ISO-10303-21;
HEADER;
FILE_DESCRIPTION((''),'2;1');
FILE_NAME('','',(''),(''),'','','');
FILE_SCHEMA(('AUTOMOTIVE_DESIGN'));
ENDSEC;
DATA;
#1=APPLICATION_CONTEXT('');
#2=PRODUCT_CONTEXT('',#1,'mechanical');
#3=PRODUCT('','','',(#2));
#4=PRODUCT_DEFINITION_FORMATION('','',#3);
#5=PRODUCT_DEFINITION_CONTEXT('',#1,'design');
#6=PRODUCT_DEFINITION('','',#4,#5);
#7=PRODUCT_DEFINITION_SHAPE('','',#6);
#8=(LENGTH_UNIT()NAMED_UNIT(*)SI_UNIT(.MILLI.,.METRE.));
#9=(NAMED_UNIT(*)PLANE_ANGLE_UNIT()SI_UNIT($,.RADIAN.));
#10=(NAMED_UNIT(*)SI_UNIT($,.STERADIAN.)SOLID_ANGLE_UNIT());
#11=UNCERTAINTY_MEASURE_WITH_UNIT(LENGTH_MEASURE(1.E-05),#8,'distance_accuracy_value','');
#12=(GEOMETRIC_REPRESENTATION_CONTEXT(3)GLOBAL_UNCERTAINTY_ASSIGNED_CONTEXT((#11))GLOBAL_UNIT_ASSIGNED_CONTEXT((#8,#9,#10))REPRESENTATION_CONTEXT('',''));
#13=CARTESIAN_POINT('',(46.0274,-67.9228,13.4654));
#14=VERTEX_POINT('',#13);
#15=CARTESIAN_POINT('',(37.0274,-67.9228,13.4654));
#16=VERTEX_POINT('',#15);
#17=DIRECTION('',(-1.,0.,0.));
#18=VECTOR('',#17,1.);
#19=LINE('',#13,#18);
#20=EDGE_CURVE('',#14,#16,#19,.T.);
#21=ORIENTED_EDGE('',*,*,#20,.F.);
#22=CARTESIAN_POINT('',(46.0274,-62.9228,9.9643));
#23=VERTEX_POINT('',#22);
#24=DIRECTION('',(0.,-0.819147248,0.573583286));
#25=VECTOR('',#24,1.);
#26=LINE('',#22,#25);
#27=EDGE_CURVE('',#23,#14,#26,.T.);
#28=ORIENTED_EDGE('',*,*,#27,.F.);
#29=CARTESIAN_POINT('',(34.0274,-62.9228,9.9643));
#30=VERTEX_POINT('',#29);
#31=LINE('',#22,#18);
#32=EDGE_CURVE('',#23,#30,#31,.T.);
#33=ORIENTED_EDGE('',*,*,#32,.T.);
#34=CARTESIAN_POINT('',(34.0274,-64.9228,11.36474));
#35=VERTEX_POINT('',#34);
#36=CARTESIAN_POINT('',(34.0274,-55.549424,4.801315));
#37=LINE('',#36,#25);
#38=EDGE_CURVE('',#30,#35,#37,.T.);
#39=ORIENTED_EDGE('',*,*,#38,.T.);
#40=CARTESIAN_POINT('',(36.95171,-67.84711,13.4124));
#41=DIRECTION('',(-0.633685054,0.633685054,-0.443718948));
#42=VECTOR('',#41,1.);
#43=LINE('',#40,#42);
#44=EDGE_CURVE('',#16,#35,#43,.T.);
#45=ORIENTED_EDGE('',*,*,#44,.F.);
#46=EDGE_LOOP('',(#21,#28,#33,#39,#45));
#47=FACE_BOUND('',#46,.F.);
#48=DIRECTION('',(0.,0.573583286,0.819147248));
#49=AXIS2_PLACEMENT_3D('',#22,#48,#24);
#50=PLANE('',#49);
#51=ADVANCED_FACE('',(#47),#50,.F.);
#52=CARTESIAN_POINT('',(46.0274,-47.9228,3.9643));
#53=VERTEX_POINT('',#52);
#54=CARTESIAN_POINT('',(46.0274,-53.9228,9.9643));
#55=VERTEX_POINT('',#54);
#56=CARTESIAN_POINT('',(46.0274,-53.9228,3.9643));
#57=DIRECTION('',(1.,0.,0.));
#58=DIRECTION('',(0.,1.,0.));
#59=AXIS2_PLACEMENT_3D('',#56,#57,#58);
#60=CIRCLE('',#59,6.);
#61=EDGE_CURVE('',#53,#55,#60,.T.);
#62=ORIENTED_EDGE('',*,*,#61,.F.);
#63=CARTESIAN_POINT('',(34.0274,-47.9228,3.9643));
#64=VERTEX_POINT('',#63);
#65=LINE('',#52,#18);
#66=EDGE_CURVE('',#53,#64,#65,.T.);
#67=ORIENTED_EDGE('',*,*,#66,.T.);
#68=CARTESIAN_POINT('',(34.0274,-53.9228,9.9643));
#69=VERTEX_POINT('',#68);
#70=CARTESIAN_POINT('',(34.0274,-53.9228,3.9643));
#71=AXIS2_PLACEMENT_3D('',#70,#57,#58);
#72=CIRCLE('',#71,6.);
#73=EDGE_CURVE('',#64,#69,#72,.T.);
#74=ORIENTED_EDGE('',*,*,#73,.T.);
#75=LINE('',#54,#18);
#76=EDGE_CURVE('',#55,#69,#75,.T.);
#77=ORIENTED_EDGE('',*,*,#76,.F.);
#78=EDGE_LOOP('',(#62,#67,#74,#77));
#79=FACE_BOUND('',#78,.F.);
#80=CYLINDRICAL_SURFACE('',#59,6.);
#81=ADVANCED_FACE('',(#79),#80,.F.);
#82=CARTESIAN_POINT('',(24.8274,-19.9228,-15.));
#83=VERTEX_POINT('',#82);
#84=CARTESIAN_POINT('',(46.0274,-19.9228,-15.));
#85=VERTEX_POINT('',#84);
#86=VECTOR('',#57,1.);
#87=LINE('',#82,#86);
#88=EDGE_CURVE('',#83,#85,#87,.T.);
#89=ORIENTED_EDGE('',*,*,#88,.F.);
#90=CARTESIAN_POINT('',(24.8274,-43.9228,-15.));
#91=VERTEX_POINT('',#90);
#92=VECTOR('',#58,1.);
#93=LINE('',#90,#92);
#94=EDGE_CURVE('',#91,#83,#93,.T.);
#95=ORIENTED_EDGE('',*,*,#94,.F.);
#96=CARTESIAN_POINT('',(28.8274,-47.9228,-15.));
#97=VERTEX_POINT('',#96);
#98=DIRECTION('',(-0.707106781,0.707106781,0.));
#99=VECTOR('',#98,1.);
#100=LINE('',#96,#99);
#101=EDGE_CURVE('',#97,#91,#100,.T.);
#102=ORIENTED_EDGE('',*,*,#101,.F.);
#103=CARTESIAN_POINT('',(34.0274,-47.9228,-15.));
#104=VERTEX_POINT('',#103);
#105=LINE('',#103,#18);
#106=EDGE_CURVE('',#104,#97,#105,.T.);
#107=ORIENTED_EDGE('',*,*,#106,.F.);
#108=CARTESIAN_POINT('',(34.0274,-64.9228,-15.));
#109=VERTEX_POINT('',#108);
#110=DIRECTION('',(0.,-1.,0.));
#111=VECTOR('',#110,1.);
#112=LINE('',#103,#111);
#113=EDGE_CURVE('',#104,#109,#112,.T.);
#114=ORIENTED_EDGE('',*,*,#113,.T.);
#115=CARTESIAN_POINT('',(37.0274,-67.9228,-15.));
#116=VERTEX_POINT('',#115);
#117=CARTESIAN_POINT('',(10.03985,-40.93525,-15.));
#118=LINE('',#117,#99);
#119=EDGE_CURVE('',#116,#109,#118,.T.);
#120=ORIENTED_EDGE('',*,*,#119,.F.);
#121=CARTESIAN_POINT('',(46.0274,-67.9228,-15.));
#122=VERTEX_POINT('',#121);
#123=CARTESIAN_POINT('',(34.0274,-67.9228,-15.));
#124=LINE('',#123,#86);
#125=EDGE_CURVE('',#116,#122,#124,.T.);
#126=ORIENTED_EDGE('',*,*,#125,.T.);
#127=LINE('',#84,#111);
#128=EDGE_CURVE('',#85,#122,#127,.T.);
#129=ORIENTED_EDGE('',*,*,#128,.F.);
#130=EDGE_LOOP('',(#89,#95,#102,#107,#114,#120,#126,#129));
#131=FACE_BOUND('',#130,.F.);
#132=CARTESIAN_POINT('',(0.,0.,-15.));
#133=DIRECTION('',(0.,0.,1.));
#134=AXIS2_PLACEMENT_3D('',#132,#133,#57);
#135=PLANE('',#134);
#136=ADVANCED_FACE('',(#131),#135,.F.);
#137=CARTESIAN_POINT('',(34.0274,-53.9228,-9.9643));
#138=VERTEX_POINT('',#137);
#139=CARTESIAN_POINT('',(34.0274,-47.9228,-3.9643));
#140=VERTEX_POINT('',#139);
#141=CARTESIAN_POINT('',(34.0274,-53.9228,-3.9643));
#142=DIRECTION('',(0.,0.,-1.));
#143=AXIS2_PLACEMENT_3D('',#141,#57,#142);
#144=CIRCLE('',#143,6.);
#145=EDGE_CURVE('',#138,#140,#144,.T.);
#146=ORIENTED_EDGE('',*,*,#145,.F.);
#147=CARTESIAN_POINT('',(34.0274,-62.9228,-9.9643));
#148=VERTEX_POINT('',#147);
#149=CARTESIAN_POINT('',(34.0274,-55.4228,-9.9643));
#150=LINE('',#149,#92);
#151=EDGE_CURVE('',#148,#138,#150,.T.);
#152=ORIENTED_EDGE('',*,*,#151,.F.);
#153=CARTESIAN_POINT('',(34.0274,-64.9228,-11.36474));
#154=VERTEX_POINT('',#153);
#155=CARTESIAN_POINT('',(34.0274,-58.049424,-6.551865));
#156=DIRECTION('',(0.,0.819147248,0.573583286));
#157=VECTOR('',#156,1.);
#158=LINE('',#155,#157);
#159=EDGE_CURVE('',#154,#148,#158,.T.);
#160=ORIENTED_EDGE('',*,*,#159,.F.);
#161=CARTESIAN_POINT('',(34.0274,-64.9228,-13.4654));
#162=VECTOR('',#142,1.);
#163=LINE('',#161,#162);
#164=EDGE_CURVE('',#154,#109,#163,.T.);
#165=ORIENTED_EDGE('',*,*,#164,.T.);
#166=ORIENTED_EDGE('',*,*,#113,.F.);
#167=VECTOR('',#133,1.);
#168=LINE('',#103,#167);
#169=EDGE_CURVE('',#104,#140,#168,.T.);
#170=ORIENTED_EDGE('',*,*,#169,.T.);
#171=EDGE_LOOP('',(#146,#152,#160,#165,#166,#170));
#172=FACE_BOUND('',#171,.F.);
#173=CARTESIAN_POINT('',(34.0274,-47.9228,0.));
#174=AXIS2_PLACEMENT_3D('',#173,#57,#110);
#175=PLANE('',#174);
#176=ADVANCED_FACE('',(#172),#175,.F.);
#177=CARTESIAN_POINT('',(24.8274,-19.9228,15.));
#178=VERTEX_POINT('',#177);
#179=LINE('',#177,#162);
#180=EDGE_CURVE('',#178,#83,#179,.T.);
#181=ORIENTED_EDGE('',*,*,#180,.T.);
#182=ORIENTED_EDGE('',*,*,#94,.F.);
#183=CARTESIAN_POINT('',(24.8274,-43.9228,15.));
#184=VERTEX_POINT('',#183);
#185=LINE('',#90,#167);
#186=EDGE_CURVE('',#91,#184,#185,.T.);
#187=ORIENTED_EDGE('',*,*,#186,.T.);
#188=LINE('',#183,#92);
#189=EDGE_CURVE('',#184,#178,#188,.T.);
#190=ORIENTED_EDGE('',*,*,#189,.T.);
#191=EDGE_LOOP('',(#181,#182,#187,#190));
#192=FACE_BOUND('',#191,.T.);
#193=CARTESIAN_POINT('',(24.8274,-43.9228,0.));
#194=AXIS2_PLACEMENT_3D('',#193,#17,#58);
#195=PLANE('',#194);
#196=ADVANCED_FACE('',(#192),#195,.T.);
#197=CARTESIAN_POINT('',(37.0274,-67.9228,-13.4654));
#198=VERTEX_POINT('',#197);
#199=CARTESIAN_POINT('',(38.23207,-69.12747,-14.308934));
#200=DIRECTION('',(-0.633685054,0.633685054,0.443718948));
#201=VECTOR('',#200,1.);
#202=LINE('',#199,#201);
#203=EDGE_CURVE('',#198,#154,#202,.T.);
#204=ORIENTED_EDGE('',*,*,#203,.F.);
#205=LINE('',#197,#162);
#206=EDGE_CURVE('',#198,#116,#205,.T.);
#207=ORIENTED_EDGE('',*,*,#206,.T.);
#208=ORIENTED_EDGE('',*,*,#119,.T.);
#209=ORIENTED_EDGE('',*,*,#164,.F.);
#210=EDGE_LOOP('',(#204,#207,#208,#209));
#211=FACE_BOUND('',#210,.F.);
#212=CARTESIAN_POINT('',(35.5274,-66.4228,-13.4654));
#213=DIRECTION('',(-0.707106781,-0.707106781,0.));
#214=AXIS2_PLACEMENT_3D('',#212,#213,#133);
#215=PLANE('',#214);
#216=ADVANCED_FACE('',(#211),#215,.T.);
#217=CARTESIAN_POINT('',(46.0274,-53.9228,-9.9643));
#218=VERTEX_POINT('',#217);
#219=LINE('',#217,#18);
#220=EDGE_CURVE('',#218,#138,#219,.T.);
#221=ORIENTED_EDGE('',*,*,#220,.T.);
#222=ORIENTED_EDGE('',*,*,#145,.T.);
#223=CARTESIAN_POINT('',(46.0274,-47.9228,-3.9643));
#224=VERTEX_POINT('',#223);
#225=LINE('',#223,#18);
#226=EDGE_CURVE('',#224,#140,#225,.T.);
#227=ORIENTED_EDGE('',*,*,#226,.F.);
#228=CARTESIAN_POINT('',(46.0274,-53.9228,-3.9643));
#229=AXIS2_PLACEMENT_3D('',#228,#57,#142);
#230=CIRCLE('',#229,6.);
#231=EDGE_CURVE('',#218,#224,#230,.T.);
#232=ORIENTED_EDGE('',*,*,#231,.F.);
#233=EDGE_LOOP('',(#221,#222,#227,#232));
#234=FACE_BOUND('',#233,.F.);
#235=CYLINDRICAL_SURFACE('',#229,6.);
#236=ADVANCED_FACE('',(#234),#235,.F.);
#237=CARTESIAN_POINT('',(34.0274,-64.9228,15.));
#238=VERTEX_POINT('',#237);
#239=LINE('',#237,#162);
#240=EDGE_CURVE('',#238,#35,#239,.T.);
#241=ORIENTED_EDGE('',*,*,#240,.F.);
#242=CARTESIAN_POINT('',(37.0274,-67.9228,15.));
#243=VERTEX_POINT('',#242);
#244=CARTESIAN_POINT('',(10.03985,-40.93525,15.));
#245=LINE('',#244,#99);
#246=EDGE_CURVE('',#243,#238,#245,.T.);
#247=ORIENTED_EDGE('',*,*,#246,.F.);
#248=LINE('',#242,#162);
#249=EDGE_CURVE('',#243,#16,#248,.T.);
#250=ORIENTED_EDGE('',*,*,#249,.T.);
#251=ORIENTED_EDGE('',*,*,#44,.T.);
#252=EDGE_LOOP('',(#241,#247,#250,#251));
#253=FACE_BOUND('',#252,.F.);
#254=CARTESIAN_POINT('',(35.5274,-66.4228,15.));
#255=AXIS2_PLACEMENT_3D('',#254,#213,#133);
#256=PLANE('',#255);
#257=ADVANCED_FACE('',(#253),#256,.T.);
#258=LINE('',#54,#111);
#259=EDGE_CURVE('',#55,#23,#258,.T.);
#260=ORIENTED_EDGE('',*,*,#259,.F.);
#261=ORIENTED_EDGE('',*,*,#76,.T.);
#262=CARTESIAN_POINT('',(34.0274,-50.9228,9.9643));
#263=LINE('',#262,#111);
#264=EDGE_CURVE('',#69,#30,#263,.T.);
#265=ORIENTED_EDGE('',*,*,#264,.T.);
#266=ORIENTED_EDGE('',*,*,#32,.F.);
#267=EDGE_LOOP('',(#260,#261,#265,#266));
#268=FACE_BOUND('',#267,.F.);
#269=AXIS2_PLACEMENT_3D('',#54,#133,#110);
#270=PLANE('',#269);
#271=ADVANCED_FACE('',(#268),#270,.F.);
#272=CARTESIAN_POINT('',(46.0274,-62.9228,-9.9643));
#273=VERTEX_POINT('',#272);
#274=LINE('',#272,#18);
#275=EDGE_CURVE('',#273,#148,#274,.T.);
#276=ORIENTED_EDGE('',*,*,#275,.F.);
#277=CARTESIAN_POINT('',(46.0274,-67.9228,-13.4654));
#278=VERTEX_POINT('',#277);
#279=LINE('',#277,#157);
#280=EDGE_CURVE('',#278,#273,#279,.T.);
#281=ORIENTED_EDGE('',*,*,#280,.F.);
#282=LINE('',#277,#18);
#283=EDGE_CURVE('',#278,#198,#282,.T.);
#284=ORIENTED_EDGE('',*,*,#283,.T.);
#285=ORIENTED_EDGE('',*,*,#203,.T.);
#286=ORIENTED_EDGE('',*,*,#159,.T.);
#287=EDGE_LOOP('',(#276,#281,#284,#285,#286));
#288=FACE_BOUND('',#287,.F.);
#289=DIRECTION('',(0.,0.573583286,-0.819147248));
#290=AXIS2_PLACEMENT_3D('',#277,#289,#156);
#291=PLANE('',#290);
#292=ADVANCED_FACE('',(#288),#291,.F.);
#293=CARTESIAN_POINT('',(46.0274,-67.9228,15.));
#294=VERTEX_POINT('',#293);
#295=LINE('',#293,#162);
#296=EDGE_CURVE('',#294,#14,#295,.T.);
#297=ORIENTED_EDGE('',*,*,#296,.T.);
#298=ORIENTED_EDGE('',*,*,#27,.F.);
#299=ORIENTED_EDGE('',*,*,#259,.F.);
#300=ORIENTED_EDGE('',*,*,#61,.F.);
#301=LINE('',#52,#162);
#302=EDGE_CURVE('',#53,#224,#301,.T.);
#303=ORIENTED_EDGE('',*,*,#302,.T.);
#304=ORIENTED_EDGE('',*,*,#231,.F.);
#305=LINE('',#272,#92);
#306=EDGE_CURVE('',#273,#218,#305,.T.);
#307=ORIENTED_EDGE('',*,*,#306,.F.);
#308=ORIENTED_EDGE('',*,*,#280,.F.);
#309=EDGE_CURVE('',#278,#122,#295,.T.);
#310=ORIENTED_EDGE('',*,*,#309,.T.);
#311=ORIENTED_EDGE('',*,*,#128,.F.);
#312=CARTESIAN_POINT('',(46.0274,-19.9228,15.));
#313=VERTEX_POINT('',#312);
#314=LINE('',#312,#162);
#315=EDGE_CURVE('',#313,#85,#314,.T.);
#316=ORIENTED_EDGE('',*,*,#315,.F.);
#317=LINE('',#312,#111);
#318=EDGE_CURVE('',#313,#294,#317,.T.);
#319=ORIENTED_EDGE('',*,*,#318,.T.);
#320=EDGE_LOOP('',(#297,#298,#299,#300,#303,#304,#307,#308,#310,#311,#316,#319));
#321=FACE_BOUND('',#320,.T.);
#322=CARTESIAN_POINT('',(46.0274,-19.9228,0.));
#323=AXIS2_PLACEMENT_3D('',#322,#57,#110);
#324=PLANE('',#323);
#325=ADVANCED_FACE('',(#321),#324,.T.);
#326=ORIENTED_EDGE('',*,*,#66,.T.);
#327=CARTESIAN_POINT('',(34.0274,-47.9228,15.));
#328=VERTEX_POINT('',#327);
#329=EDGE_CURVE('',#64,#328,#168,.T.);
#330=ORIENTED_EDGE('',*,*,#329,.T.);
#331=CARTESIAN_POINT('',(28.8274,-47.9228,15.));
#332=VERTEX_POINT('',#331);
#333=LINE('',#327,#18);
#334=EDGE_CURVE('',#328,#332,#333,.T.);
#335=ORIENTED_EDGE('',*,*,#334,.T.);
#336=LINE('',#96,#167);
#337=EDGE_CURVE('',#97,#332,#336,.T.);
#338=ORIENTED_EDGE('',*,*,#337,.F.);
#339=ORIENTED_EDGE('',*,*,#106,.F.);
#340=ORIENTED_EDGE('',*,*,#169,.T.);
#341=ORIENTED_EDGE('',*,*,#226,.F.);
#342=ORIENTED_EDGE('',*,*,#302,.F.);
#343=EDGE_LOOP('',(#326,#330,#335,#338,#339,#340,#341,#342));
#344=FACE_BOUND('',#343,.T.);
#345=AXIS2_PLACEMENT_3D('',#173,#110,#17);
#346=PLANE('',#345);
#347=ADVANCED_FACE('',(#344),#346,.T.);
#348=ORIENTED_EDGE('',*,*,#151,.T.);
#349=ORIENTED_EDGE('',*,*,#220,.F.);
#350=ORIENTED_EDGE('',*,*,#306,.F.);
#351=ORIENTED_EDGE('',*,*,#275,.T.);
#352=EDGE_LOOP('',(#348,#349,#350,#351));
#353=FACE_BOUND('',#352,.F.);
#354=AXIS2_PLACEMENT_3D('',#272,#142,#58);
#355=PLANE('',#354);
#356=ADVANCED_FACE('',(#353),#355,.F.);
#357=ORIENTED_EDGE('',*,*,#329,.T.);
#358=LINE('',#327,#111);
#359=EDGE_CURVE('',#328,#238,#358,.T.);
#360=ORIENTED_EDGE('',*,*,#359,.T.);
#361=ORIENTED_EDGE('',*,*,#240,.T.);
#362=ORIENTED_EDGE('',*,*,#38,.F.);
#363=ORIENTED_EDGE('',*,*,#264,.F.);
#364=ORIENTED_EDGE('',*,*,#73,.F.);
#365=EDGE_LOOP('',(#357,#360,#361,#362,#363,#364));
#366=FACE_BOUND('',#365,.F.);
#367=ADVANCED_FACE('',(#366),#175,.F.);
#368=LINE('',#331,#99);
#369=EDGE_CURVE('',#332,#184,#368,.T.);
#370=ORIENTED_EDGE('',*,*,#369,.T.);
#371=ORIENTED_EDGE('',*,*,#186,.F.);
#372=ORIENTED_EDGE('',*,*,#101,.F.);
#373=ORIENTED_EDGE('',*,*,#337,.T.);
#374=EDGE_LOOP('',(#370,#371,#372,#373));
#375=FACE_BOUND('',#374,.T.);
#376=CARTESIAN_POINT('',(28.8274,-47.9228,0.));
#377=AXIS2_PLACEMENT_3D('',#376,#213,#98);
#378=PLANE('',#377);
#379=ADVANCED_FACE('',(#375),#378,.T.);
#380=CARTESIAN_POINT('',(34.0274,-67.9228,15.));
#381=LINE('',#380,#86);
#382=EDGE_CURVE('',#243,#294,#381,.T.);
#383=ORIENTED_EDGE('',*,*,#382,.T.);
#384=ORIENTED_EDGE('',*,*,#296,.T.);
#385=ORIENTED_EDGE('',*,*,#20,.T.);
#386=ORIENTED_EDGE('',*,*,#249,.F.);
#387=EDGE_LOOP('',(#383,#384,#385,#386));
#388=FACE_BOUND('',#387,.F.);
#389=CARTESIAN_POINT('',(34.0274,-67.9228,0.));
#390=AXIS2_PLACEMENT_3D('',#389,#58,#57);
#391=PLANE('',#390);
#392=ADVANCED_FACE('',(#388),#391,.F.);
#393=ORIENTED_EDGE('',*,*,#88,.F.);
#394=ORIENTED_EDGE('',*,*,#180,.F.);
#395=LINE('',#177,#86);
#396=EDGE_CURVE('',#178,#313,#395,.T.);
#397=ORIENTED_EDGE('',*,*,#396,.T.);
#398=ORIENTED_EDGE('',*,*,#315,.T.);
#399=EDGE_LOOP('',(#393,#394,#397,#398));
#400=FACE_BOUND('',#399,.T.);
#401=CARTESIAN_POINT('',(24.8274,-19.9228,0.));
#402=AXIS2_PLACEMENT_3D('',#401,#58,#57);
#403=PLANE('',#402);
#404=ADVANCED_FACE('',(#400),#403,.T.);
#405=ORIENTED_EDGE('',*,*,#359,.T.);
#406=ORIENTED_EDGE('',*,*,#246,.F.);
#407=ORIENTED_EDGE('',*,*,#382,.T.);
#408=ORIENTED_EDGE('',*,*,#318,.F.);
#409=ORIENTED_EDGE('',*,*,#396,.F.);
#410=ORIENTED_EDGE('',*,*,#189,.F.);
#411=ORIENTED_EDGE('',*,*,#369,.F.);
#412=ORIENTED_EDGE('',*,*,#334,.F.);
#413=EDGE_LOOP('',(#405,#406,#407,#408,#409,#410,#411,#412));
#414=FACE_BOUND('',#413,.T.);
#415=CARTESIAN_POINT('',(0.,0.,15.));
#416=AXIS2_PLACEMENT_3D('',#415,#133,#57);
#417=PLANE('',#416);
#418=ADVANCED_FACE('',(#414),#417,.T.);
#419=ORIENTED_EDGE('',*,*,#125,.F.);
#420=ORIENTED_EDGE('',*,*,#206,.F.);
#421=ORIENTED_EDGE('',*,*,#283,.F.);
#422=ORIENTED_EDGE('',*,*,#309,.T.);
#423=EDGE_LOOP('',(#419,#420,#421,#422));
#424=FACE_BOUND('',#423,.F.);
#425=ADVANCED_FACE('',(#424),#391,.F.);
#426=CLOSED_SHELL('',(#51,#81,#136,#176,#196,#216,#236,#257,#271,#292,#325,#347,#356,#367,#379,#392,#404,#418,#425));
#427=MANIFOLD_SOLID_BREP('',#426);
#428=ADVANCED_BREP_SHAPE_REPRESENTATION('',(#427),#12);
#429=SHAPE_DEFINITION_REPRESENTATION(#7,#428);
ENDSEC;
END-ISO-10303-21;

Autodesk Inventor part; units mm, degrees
ref_plane "YZ Plane" through (0, 0, 0) normal (1, 0, 0) x (0, 1, 0)
ref_plane "XZ Plane" through (0, 0, 0) normal (0, 1, 0) x (-1, 0, 0)
ref_plane "XY Plane" through (0, 0, 0) normal (0, 0, 1) x (1, 0, 0)
sketch "Skizze1" plane through (0, 0, 0) normal (0, 0, 1) x (1, 0, 0)
  line L0 (24.8274, -43.9228) -> (24.8274, -19.9228)
  line L1 (24.8274, -19.9228) -> (46.0274, -19.9228)
  line L2 (46.0274, -19.9228) -> (46.0274, -67.9228)
  line L3 (34.0274, -47.9228) -> (28.8274, -47.9228)
  line L4 (28.8274, -47.9228) -> (24.8274, -43.9228)
  line L5 (34.0274, -47.9228) -> (34.0274, -67.9228)
  line L6 (34.0274, -67.9228) -> (46.0274, -67.9228)
  point P0 (0, 0)
  dimension "d0" = 45
  dimension "d1" = 4
  dimension "d2" = 21.2
  dimension "d7" = 28
  dimension "d8" = 20
  dimension "d9" = 12
extrude "Extrusion1" add sketch "Skizze1" along normal mid plane 30
sketch "Skizze2" plane through (46.0274, -67.9228, 15) normal (1, 0, 0) x (0, 0, -1)
  line L0 (5.0357, 14) -> (5.0357, 5)
  line L1 (5.0357, 5) -> (1.5346, 0)
  line L2 (1.5346, 0) -> (28.4654, 0)
  line L3 (0, 0) -> (30, 0) projected
  line L4 (28.4654, 0) -> (24.9643, 5)
  line L5 (24.9643, 5) -> (24.9643, 14)
  line L6 (24.9643, 14) -> (5.0357, 14) construction
  line L7 (15, -13.5846) -> (15, 81.5074) projected
  arc A0 (24.9643, 14) -> (18.9643, 20) centre (18.9643, 14) ccw
  line L8 (18.9643, 20) -> (11.0357, 20)
  arc A1 (11.0357, 20) -> (5.0357, 14) centre (11.0357, 14) ccw
  point P0 (15, 67.9228)
  dimension "d19" = 5
  dimension "d21" = 6
  dimension "d22" = 20
  dimension "d23" = 35
extrude "Extrusion2" cut sketch "Skizze2" against normal through all
chamfer "Fase1" distance 3 angle 45 2 edges at (34.0274, -67.9228, -14.2327) (34.0274, -67.9228, 14.2327)
properties part number "_WT_Aufnahme_Antriebseinheit6"
